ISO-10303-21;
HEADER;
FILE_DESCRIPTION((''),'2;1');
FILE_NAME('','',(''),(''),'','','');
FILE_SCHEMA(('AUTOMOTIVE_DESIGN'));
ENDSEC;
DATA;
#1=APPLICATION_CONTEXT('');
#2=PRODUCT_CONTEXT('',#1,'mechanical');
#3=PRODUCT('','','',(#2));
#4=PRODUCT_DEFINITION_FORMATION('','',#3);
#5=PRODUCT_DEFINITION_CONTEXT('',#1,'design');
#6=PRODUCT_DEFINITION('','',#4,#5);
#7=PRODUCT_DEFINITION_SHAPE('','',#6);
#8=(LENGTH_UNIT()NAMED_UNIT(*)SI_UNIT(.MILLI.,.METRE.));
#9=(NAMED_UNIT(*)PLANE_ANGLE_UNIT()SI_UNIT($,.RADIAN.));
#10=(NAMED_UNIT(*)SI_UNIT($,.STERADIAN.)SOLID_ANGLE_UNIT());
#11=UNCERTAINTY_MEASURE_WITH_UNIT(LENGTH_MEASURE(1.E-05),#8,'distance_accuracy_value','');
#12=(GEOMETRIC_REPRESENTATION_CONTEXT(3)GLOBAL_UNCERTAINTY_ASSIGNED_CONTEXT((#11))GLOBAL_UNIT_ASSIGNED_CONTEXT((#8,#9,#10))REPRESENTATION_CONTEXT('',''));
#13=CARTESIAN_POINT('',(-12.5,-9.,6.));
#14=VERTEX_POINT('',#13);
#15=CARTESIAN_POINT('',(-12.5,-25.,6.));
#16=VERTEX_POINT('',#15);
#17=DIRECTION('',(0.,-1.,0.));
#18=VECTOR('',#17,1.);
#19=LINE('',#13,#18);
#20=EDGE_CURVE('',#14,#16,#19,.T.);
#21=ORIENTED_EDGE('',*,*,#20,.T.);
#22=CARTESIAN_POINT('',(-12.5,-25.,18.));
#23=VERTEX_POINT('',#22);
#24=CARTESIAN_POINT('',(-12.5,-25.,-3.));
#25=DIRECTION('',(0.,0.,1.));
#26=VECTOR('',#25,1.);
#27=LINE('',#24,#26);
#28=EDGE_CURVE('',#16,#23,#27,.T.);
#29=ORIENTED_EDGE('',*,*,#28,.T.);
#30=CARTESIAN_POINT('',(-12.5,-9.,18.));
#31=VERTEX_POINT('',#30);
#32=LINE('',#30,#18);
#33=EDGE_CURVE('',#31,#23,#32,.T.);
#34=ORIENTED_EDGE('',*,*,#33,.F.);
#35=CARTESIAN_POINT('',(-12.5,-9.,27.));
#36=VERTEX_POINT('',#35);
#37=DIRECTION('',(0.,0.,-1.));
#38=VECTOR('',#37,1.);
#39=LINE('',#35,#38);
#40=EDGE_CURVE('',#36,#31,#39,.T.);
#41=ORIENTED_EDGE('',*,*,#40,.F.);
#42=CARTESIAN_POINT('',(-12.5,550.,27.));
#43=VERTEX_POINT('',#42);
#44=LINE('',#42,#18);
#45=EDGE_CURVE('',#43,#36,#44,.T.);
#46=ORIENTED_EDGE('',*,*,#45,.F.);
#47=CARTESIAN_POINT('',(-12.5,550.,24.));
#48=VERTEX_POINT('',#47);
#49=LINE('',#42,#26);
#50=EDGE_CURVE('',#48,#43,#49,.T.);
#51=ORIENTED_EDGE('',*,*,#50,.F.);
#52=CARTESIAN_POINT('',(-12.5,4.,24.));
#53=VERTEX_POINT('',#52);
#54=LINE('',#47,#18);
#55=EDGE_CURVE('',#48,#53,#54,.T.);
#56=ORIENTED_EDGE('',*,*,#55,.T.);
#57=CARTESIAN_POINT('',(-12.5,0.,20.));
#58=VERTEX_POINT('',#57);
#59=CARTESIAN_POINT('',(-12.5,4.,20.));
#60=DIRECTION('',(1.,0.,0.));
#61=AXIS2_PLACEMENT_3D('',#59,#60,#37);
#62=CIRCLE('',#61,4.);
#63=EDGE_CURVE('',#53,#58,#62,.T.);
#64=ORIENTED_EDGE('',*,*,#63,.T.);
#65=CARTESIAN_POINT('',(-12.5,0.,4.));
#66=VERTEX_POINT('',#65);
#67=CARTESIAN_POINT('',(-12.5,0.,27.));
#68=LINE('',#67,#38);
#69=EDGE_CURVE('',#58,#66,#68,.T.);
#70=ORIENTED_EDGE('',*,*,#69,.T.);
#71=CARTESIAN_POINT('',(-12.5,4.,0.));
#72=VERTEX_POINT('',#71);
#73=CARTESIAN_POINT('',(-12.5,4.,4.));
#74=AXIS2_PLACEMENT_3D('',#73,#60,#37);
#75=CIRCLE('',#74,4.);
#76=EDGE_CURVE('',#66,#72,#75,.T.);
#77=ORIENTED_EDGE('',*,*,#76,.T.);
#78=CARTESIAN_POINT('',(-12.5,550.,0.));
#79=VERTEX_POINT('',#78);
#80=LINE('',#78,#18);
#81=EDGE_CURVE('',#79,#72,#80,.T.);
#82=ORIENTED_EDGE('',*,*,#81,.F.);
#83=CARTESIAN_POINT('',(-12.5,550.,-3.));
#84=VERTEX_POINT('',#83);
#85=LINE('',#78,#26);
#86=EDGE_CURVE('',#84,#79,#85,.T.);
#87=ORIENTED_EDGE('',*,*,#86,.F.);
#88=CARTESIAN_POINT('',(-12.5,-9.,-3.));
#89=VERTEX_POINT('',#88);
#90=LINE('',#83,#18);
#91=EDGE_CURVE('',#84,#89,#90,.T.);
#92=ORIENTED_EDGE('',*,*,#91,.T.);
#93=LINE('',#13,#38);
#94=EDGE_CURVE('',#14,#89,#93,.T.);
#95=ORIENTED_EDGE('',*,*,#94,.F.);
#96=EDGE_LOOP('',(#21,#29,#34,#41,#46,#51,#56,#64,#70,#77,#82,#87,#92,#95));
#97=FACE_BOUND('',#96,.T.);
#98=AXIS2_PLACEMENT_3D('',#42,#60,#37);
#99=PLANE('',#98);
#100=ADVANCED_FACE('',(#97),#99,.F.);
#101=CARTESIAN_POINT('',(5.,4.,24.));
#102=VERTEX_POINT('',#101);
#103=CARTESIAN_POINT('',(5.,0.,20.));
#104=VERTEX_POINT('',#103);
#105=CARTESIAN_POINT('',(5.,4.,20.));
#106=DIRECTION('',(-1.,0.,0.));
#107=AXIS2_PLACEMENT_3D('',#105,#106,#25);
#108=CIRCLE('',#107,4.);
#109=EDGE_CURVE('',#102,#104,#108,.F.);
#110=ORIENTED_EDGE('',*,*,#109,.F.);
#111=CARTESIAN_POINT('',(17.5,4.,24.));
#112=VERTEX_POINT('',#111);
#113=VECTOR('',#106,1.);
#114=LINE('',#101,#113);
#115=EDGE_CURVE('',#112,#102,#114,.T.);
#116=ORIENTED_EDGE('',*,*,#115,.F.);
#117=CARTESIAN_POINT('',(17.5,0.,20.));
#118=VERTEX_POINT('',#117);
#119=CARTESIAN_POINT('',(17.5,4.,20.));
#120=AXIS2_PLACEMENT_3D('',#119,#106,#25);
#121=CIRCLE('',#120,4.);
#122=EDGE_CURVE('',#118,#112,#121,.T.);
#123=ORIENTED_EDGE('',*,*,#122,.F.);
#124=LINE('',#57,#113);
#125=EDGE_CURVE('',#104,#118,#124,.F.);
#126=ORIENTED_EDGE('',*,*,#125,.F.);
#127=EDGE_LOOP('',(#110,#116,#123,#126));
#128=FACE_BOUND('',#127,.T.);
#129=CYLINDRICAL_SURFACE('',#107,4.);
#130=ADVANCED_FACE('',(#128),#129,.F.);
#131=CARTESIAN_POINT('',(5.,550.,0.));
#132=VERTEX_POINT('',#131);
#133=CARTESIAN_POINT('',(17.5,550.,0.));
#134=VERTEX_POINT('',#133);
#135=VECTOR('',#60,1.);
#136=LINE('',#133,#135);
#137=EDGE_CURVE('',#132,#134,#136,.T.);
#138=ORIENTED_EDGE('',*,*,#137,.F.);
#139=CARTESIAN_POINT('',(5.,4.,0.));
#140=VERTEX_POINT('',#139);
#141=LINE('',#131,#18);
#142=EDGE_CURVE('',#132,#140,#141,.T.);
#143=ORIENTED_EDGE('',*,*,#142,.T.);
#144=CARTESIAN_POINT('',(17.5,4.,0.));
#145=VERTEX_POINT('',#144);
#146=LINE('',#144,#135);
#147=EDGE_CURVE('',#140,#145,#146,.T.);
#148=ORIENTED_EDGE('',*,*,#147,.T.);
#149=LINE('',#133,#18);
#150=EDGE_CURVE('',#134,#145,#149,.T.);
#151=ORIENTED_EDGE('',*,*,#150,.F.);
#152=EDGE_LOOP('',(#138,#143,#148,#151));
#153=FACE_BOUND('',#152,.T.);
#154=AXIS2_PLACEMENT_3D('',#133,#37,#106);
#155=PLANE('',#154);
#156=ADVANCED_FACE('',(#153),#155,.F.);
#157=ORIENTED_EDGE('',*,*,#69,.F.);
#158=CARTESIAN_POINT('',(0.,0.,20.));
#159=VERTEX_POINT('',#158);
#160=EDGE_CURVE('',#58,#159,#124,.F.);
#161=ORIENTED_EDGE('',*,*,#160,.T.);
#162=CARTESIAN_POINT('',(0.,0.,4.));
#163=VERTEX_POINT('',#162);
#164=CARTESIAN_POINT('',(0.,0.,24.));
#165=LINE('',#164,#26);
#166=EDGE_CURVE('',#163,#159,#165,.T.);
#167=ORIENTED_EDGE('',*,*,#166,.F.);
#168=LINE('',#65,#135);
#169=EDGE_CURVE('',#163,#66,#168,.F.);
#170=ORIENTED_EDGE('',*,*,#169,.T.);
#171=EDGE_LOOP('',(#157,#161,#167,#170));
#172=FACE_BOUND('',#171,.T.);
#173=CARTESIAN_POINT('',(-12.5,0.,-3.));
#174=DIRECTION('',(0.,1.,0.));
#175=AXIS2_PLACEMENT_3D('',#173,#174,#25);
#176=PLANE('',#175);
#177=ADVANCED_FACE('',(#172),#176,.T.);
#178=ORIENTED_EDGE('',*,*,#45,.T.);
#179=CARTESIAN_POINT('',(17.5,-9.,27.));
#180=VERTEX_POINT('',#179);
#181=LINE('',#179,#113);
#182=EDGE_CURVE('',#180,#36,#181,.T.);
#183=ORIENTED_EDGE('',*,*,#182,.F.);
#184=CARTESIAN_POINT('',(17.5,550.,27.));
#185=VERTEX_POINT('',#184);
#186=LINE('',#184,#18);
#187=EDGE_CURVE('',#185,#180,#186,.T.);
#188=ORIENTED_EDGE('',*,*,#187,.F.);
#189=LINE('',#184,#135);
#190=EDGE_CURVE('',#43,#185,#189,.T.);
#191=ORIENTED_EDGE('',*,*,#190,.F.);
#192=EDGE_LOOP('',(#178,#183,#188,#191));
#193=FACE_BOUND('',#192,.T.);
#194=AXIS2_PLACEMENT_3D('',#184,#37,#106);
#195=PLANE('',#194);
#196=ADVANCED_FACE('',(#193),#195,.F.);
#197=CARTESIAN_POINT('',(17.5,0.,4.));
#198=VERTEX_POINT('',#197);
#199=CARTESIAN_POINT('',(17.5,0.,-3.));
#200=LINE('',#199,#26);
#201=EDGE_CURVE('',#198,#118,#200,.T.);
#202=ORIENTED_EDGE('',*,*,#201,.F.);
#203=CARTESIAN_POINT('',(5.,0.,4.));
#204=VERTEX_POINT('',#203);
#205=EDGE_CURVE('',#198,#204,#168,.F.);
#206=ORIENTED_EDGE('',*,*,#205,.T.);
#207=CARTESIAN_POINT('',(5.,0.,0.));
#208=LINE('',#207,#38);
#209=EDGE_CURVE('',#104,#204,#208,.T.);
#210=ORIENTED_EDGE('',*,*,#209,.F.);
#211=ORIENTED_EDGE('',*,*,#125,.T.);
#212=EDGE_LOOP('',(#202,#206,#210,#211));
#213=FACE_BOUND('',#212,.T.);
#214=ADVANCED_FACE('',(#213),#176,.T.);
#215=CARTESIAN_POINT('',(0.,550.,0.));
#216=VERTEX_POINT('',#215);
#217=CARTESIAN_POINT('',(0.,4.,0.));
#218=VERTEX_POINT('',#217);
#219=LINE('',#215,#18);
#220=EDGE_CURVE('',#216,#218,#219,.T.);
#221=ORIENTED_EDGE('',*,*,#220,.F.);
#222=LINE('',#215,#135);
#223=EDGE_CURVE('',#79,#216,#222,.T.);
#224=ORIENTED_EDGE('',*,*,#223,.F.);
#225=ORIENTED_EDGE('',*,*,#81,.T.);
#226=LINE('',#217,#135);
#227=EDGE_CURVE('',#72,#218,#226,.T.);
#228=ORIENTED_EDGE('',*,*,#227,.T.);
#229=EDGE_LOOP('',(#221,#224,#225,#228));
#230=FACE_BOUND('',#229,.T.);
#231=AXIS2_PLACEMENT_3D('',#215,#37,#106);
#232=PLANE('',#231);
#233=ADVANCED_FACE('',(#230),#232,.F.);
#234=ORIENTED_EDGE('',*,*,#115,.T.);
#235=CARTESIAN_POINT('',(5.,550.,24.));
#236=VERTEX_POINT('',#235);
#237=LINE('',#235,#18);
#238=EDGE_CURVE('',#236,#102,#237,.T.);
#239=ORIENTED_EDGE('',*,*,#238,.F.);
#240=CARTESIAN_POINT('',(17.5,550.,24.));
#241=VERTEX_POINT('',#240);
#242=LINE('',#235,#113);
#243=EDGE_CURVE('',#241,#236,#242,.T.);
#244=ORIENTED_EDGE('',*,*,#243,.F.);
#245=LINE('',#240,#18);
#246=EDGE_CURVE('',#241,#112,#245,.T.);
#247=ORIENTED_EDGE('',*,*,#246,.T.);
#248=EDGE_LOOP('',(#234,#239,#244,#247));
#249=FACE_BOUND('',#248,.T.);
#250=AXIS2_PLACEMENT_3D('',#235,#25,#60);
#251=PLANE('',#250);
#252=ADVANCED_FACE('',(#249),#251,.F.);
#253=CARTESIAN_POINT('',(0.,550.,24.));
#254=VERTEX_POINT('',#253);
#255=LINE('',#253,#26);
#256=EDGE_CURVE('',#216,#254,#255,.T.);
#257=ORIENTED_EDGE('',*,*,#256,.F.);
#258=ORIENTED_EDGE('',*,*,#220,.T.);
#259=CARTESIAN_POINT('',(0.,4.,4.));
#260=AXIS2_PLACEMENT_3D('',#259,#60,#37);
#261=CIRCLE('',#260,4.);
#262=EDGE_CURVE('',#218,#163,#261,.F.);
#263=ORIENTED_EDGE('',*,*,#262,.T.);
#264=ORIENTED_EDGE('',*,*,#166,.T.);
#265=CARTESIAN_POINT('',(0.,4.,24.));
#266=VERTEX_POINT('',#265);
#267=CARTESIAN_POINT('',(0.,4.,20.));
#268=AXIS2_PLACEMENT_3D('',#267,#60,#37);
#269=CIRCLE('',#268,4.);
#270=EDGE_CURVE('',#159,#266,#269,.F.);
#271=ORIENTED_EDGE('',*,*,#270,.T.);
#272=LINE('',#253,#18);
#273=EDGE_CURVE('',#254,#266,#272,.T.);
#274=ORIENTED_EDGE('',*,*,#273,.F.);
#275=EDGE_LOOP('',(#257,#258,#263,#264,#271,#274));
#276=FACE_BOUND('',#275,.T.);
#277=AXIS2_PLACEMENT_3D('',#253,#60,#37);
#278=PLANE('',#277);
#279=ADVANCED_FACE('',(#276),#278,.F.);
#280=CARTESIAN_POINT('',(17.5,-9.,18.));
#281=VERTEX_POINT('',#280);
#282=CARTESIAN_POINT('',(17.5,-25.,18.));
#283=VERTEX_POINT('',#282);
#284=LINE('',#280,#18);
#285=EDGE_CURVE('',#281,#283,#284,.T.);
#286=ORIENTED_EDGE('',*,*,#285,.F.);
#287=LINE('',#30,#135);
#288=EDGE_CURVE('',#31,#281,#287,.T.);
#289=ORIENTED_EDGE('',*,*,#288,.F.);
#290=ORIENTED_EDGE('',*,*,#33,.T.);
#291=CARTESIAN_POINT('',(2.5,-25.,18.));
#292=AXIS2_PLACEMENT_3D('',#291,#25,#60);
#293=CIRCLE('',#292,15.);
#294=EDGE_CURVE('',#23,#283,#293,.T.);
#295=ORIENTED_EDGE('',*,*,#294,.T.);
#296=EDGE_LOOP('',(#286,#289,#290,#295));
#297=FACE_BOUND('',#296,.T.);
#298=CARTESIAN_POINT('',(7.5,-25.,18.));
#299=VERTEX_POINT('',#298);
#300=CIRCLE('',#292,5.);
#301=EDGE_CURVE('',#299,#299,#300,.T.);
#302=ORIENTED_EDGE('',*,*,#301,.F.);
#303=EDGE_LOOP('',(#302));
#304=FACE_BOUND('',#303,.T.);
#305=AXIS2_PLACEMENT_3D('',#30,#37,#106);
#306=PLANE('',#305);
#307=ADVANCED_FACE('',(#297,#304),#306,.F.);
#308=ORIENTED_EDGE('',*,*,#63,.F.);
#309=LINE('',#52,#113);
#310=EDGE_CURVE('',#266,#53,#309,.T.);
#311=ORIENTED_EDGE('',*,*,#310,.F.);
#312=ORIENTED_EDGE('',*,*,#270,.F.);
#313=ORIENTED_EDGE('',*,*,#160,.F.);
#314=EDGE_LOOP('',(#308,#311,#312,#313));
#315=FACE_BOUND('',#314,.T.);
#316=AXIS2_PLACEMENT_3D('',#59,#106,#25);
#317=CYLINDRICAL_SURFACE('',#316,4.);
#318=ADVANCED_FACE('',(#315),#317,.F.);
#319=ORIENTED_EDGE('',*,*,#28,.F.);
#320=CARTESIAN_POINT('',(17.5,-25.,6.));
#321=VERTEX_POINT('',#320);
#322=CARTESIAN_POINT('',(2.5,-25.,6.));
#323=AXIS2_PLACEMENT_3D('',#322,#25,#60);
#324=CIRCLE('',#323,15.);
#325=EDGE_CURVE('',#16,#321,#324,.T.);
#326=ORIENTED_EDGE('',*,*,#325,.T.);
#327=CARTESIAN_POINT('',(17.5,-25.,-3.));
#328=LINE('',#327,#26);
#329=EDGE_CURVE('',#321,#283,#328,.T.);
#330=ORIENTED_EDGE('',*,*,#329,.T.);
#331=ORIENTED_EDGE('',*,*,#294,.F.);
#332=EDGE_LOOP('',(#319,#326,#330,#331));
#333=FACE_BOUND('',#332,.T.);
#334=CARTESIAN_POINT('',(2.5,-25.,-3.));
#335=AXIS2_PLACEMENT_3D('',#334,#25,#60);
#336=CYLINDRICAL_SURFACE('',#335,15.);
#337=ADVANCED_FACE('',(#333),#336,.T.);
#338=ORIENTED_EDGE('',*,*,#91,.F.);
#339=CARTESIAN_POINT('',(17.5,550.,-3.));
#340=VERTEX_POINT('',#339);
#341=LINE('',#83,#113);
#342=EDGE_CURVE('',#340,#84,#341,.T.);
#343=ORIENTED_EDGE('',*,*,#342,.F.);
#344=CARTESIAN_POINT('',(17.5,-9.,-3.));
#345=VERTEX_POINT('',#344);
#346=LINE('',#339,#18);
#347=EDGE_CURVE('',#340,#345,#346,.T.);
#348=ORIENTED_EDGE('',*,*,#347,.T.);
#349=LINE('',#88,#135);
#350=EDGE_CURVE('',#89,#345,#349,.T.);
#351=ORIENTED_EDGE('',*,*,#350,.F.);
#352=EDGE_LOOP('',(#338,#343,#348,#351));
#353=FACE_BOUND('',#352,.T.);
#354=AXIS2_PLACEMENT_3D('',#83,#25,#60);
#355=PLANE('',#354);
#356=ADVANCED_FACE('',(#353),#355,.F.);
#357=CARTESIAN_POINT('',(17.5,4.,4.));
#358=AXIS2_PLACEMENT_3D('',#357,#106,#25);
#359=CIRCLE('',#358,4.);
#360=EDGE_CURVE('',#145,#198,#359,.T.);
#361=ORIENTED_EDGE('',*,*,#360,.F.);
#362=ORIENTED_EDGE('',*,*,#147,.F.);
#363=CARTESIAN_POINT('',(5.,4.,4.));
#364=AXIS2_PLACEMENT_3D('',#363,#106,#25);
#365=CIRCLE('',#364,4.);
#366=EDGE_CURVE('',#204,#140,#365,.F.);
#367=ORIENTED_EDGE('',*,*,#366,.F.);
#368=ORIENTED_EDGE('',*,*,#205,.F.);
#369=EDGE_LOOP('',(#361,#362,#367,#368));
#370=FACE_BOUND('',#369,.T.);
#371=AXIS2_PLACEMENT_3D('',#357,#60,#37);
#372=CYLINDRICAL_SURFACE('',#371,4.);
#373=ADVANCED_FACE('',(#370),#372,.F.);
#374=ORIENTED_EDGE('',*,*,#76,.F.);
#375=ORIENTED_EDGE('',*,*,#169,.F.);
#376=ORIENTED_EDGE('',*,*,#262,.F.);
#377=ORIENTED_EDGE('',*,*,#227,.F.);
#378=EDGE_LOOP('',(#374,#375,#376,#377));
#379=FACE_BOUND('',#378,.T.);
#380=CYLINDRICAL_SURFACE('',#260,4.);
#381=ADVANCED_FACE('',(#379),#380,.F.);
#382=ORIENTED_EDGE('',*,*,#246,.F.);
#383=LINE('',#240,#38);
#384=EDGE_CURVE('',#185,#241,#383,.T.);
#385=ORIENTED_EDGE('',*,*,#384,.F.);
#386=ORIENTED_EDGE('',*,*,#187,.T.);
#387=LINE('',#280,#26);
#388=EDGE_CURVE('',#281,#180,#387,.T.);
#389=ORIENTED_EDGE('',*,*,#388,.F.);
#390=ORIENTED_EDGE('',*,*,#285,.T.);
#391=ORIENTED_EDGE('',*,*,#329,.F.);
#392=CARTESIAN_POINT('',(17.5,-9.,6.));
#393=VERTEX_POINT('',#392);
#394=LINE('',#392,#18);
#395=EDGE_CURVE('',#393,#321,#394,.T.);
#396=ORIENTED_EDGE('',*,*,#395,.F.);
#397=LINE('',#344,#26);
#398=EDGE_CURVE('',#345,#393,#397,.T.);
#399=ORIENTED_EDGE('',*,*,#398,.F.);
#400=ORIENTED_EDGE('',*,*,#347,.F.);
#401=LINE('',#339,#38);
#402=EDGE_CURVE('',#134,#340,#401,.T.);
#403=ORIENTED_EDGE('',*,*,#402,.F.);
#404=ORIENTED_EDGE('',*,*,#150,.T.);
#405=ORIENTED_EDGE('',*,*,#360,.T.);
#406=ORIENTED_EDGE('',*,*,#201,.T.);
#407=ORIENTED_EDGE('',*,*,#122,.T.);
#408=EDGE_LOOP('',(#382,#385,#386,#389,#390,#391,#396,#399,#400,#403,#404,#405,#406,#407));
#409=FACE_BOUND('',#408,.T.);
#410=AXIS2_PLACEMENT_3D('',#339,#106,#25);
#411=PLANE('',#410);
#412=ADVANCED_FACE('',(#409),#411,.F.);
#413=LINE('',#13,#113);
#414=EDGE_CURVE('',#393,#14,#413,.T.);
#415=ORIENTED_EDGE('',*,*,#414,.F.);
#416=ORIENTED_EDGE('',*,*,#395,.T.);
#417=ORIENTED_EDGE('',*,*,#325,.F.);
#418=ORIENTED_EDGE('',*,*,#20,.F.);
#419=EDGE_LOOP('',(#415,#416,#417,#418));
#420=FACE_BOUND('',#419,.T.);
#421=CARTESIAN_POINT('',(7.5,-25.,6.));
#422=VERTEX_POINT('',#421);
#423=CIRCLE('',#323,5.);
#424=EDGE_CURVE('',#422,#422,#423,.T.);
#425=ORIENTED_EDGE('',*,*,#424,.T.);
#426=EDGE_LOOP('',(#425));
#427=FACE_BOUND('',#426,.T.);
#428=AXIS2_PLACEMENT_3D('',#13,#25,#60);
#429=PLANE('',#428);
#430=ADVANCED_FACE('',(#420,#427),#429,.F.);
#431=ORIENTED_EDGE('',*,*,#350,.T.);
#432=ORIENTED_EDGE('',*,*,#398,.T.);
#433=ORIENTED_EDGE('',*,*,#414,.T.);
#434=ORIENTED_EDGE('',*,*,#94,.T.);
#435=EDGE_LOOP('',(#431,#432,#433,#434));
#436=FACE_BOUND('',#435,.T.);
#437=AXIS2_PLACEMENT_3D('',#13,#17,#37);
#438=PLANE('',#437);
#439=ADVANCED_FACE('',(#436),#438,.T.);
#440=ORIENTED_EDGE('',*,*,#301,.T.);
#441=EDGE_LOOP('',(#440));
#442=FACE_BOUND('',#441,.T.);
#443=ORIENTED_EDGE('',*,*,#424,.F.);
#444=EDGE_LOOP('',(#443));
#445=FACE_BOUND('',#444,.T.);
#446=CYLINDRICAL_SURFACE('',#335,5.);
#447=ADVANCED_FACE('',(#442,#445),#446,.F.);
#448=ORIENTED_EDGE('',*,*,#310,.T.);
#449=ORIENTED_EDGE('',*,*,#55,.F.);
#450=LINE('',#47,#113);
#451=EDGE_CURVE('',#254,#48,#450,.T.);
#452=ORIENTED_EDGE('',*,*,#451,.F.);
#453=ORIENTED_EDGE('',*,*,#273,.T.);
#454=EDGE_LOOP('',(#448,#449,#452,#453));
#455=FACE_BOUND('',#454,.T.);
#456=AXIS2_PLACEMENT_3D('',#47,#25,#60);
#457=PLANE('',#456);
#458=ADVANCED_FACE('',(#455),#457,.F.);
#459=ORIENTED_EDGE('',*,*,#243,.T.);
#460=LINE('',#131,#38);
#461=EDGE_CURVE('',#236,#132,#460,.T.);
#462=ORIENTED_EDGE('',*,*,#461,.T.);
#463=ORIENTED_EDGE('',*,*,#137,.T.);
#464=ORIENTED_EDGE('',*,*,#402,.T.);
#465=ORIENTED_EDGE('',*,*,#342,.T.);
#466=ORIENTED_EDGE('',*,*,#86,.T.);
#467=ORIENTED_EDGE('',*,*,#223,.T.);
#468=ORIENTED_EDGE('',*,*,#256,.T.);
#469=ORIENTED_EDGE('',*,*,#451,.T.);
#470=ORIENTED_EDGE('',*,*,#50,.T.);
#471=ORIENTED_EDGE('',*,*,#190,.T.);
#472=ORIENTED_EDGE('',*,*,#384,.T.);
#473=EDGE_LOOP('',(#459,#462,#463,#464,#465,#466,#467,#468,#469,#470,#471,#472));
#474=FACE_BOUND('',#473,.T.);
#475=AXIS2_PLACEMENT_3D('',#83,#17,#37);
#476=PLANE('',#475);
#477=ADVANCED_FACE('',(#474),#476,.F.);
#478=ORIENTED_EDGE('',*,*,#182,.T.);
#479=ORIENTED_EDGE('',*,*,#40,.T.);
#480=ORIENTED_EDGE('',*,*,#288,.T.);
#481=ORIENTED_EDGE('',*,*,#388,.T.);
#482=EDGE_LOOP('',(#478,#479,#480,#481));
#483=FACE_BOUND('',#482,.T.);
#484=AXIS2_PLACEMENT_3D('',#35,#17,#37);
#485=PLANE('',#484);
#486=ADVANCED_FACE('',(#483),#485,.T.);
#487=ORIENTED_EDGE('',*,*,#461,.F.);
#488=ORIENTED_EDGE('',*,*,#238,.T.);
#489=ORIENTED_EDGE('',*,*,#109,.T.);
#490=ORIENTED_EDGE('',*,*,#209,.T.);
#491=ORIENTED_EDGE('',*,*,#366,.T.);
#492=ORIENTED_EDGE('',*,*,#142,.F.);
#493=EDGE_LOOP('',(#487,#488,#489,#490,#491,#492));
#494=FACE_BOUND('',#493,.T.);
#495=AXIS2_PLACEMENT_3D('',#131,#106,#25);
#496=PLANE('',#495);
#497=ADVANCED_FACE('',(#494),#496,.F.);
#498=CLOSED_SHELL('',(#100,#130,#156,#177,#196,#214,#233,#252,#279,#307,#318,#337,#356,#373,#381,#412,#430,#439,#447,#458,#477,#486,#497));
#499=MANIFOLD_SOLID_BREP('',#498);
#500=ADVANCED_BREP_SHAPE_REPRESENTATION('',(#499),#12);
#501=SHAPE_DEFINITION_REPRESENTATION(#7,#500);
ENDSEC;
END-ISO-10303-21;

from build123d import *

# Parameters (mm, degrees)
EXTRUDE4_DEPTH     = 550
SKETCH4_W          = 30
SKETCH4_H          = 30
EXTRUDE5_DEPTH     = 40
SKETCH5_W          = 30
SKETCH5_H          = 9
CUT_EXTRUDE2_DEPTH = 31
SKETCH6_R          = 5
CUT_EXTRUDE3_DEPTH = 551.678899178
SKETCH7_OUTSIDE_W  = 150.304
SKETCH7_OUTSIDE_H  = 710.304
CUT_EXTRUDE4_DEPTH = 551.678899178
FILLET2_R          = 4
FILLET3_R          = 4


with BuildPart() as part:
    # Sketch1 → Extrude4 (new body)
    with BuildSketch(Plane(origin=(0, 0, 0), x_dir=(1, 0, 0), z_dir=(0, 1, 0))):
        Polygon((-12.5, 3), (17.5, 3), (17.5, 0), (5, 0), (5, -24), (17.5, -24), (17.5, -27), (-12.5, -27), (-12.5, -24), (0, -24), (0, 0), (-12.5, 0), align=None)
    extrude(amount=EXTRUDE4_DEPTH)

    # Sketch4 → Extrude5 (add)
    with BuildSketch(Plane.XZ):
        with Locations((2.5, 12)):
            Rectangle(SKETCH4_W, SKETCH4_H)
    extrude(amount=EXTRUDE5_DEPTH)

    # Sketch5 → Cut-Extrude2 (cut)
    with BuildSketch(Plane.XZ.offset(40)):
        with Locations((2.5, 1.5)):
            Rectangle(SKETCH5_W, SKETCH5_H)
        with Locations((2.5, 22.5)):
            Rectangle(SKETCH5_W, SKETCH5_H)
    extrude(amount=-CUT_EXTRUDE2_DEPTH, mode=Mode.SUBTRACT)

    # Sketch6 → Cut-Extrude3 (cut, through all)
    with BuildSketch(Plane.XY.offset(18)):
        with Locations((2.5, -25)):
            Circle(SKETCH6_R)
    extrude(amount=-CUT_EXTRUDE3_DEPTH, mode=Mode.SUBTRACT)

    # Sketch7 outside → Cut-Extrude4 (cut, through all)
    with BuildSketch(Plane.XY.offset(18)):
        with Locations((2.5, 255)):
            Rectangle(SKETCH7_OUTSIDE_W, SKETCH7_OUTSIDE_H)
        with BuildLine():
            Line((-12.5, 573.573250903), (17.5, 573.573250903))
            Line((17.5, 573.573250903), (17.5, -25))
            ThreePointArc((17.5, -25), (2.5, -40), (-12.5, -25))
            Line((-12.5, -25), (-12.5, 573.573250903))
        make_face(mode=Mode.SUBTRACT)
    extrude(amount=-CUT_EXTRUDE4_DEPTH, mode=Mode.SUBTRACT)

    # Fillet2
    fillet2_edges = [part.edges().sort_by_distance(p)[0] for p in [
        (11.25, 0, 24),
        (11.25, 0, 0),
    ]]
    fillet(fillet2_edges, radius=FILLET2_R)

    # Fillet3
    fillet3_edges = [part.edges().sort_by_distance(p)[0] for p in [
        (-6.25, 0, 0),
        (-6.25, 0, 24),
    ]]
    fillet(fillet3_edges, radius=FILLET3_R)


solid = part.part
